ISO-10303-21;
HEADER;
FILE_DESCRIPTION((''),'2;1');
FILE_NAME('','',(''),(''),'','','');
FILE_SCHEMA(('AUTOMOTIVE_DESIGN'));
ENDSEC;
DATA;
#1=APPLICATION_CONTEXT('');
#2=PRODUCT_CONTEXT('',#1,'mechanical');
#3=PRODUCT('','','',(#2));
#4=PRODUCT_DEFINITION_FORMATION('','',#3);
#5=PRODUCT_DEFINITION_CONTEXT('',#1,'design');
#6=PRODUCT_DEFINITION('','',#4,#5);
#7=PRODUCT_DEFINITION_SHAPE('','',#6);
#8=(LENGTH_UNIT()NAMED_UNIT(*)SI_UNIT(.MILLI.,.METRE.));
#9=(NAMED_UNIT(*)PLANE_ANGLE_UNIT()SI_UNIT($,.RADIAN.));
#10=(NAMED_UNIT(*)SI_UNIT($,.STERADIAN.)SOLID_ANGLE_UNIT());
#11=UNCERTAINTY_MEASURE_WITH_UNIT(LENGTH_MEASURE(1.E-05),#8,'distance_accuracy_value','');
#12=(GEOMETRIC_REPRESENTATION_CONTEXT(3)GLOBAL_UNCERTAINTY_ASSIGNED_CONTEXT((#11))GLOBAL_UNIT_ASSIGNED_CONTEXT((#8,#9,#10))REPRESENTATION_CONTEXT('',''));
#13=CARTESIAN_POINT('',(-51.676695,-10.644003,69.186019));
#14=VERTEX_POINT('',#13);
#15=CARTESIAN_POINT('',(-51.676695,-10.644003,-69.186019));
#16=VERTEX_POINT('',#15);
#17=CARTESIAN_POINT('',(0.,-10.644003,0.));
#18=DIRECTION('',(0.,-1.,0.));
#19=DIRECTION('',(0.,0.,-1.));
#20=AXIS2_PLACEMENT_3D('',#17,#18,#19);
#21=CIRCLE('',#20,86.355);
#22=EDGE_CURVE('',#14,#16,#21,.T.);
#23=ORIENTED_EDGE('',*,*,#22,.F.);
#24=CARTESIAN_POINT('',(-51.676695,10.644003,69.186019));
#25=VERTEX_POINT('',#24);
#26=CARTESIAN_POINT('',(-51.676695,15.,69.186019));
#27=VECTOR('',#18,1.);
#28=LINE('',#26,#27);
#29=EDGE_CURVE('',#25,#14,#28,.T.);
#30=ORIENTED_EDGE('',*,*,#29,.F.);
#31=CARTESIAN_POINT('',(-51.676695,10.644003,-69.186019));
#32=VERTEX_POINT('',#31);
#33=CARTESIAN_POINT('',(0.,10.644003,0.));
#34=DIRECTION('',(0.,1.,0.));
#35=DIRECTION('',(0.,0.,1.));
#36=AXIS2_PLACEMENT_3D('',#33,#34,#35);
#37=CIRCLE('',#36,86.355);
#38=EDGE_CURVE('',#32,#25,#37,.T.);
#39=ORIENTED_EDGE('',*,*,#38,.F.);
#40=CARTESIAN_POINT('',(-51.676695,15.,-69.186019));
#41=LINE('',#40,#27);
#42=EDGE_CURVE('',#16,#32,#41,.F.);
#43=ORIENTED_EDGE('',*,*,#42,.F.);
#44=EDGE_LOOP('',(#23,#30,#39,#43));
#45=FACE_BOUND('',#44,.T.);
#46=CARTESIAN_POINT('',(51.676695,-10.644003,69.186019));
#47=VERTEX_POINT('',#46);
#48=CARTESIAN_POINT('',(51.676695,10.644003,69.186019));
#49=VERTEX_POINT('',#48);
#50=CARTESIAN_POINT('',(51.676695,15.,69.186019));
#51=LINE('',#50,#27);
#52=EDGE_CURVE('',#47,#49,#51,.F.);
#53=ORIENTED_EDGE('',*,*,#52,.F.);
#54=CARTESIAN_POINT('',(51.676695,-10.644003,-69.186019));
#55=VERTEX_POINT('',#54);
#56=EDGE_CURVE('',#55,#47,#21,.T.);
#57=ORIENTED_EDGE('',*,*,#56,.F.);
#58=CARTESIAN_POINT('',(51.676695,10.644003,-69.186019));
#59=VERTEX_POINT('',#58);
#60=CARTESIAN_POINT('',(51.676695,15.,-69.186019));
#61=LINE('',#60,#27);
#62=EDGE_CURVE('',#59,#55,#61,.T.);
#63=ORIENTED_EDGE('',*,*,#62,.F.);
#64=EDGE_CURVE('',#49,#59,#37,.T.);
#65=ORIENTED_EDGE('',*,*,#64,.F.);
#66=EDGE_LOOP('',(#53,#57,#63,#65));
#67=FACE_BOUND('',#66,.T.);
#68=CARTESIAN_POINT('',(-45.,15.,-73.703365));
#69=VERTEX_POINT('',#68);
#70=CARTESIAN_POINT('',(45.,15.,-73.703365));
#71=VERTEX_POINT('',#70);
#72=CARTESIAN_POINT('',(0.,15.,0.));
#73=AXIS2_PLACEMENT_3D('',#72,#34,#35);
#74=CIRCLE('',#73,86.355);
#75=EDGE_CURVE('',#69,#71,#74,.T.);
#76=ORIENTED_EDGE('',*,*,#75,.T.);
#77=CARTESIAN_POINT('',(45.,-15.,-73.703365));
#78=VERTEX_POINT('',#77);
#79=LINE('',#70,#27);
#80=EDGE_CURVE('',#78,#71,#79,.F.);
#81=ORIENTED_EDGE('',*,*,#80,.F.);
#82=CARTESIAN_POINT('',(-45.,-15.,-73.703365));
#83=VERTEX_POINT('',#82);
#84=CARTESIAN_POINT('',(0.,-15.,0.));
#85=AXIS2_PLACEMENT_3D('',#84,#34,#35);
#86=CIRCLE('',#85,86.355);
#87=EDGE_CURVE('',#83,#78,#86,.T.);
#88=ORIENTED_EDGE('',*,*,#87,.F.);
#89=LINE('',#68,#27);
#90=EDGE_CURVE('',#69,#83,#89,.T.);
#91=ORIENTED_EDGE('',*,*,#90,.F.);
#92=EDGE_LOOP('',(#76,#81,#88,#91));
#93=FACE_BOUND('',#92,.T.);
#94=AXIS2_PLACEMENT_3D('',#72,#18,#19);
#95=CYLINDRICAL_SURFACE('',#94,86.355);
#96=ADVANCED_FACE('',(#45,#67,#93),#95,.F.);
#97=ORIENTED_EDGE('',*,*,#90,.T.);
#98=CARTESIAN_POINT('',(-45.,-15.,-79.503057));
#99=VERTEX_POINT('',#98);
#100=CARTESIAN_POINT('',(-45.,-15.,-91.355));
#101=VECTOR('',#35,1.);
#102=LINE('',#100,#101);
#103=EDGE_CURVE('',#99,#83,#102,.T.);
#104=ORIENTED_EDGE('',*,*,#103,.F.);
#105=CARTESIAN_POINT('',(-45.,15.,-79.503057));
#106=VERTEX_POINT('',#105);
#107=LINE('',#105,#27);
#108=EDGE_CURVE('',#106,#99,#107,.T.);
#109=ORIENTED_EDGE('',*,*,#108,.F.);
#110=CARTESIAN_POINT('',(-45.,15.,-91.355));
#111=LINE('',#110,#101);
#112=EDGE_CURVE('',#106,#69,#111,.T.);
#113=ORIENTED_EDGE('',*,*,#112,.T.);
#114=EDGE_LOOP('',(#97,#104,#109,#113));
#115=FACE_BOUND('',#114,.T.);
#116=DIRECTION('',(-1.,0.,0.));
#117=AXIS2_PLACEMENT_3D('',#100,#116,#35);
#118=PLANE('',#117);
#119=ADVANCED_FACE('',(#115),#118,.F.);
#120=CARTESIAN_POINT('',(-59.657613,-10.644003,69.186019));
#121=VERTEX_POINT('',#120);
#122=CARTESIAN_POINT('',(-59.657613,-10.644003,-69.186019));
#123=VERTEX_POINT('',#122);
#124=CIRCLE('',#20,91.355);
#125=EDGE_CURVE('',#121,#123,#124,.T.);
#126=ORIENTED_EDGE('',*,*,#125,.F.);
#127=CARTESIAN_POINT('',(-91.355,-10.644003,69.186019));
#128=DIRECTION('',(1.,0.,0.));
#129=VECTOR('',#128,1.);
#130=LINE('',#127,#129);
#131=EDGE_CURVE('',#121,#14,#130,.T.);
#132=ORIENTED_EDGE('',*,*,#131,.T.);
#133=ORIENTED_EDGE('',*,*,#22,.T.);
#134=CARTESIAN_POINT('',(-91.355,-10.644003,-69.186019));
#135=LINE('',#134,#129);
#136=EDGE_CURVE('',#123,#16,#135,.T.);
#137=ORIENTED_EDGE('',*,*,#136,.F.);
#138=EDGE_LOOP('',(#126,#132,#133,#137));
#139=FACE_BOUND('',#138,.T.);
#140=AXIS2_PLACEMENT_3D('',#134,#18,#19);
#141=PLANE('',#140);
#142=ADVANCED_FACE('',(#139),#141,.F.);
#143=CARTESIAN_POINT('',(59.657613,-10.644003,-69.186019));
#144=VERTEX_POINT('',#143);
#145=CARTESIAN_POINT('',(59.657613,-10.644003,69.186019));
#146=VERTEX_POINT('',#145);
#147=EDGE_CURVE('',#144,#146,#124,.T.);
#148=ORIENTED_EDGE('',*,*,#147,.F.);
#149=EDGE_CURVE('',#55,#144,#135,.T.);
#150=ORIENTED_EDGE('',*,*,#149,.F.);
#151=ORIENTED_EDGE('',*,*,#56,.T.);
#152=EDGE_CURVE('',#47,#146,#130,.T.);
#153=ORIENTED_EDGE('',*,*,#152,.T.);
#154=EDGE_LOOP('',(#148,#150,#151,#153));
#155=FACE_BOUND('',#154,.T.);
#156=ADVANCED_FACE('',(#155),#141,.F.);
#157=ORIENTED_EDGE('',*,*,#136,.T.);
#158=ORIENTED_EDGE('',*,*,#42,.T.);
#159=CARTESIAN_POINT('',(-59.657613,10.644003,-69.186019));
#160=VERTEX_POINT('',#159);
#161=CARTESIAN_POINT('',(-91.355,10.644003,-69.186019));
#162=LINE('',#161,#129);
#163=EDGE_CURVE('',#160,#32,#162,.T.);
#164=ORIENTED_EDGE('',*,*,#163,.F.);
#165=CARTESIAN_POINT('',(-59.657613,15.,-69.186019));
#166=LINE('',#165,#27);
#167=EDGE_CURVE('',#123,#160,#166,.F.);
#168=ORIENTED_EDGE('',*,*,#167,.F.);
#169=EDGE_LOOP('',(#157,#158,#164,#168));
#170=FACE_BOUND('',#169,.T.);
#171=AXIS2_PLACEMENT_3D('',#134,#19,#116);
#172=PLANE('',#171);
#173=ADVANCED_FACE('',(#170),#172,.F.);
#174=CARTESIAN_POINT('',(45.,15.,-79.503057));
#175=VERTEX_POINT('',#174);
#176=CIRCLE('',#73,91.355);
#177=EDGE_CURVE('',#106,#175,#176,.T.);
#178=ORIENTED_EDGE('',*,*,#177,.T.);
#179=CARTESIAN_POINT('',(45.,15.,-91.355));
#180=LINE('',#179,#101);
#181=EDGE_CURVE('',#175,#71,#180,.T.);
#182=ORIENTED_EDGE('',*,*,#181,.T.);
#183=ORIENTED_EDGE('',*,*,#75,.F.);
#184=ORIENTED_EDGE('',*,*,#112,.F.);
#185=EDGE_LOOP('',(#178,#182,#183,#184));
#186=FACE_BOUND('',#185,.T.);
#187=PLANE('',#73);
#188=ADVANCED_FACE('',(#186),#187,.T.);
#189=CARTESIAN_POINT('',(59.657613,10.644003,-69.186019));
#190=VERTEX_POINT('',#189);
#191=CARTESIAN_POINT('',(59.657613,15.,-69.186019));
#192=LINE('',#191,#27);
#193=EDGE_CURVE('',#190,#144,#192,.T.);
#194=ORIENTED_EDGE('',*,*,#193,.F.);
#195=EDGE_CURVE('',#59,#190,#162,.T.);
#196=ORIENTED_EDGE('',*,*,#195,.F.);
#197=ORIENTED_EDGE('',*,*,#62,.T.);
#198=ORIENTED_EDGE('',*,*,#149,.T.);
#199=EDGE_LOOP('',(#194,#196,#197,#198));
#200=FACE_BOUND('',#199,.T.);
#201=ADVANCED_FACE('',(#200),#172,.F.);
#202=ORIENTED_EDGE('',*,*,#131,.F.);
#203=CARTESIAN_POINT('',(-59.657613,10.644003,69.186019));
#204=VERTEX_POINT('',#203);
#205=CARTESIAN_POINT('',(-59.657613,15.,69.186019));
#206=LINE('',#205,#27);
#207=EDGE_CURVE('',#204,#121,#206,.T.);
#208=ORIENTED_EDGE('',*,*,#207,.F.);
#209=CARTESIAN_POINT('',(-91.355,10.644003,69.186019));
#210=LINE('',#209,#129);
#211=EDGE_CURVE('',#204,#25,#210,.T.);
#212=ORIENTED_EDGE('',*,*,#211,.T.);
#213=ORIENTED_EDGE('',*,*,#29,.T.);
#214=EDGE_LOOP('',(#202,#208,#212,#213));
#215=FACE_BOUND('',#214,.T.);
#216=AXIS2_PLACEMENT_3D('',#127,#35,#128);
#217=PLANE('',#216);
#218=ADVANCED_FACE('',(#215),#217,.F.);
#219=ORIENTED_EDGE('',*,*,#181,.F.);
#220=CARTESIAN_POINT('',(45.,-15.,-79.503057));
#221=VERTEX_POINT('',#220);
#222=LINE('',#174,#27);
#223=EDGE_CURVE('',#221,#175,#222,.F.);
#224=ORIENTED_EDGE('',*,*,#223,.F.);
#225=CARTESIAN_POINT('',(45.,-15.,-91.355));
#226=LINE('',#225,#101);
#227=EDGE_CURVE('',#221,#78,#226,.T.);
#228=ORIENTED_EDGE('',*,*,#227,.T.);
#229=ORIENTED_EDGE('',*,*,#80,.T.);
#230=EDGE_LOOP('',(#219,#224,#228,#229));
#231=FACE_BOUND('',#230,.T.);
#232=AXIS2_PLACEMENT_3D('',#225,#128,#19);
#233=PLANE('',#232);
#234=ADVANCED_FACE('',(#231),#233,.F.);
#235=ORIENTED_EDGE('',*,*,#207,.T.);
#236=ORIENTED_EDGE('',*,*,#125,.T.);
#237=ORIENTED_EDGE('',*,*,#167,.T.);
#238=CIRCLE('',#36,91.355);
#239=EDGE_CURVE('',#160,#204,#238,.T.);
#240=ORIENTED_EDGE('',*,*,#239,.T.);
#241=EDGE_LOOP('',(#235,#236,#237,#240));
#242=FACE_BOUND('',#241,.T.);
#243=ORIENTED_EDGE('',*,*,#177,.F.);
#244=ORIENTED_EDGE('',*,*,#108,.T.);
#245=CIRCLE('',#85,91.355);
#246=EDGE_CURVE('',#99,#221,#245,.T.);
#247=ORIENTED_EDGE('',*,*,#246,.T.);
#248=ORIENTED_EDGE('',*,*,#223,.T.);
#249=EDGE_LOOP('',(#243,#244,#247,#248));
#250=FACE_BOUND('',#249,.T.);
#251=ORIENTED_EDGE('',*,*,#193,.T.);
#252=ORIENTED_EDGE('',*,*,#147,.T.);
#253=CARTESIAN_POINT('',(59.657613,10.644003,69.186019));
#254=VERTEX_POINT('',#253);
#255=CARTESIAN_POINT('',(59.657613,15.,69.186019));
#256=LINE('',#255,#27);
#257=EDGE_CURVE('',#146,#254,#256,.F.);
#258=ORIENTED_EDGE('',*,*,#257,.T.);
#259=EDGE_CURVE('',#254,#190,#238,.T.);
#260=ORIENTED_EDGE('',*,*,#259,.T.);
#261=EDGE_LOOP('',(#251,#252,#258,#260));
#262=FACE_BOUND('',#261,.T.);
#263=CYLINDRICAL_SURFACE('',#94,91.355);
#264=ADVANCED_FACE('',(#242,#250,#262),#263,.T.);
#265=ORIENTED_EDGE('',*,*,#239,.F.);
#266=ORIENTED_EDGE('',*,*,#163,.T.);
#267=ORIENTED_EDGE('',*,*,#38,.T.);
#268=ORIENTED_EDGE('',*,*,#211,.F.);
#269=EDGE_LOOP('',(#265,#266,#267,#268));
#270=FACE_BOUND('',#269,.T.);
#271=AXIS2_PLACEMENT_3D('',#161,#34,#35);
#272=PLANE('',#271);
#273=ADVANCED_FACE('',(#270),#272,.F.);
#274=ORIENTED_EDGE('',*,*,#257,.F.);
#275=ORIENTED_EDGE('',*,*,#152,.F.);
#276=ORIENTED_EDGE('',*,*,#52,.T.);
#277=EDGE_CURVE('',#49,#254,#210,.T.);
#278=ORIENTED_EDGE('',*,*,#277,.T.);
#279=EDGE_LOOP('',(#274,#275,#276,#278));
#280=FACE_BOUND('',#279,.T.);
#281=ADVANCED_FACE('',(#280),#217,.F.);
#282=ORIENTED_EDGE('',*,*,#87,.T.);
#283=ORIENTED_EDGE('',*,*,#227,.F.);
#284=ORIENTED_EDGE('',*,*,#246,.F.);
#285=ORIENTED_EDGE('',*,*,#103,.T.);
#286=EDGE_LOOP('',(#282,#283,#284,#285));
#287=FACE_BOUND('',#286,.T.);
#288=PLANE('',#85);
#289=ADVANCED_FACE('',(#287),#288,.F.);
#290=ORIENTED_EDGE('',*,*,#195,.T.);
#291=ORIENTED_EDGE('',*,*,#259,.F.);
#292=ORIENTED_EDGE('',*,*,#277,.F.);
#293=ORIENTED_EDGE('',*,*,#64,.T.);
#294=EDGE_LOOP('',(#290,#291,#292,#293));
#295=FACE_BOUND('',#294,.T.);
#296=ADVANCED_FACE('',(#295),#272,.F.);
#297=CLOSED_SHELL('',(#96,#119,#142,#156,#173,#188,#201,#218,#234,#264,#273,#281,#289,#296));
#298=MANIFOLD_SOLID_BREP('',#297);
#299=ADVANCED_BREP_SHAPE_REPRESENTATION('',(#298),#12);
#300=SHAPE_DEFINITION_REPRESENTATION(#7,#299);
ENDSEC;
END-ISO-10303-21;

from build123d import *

# Parameters (mm, degrees)
SKETCH2_R               = 91.355
SKETCH2_R_2             = 86.355
BOSS_EXTRUDE1_DEPTH     = 15
SKETCH5_W               = 90
SKETCH5_H               = 30
CUT_EXTRUDE1_DEPTH      = 131.063338609
CUT_EXTRUDE2_DEPTH      = 131.063338609
CUT_EXTRUDE2_DEPTH_BACK = 131.063338609
SKETCH6_W               = 138.372037672
SKETCH6_H               = 21.288005796


with BuildPart() as part:
    # Sketch2 → Boss-Extrude1 (new, symmetric)
    with BuildSketch(Plane(origin=(0, 0, 0), x_dir=(1, 0, 0), z_dir=(0, 1, 0))):
        with Locations(Location((0, 0, 0), (0, 0, 270))):
            Circle(SKETCH2_R)
        with Locations(Location((0, 0, 0), (0, 0, 270))):
            Circle(SKETCH2_R_2, mode=Mode.SUBTRACT)
    extrude(amount=BOSS_EXTRUDE1_DEPTH, both=True)

    # Sketch5 → Cut-Extrude1 (cut, through all)
    with BuildSketch(Plane.XY):
        Rectangle(SKETCH5_W, SKETCH5_H)
    extrude(amount=-CUT_EXTRUDE1_DEPTH, mode=Mode.SUBTRACT)

    # Sketch6 → Cut-Extrude2 (cut, two sides: drawn at the far end of the back side and taken through both)
    with BuildSketch(Plane(origin=(0, 0, 0), x_dir=(0, 0, -1), z_dir=(1, 0, 0)).offset(-CUT_EXTRUDE2_DEPTH_BACK)):
        Rectangle(SKETCH6_W, SKETCH6_H)
    extrude(amount=CUT_EXTRUDE2_DEPTH + CUT_EXTRUDE2_DEPTH_BACK, mode=Mode.SUBTRACT)


solid = part.part
